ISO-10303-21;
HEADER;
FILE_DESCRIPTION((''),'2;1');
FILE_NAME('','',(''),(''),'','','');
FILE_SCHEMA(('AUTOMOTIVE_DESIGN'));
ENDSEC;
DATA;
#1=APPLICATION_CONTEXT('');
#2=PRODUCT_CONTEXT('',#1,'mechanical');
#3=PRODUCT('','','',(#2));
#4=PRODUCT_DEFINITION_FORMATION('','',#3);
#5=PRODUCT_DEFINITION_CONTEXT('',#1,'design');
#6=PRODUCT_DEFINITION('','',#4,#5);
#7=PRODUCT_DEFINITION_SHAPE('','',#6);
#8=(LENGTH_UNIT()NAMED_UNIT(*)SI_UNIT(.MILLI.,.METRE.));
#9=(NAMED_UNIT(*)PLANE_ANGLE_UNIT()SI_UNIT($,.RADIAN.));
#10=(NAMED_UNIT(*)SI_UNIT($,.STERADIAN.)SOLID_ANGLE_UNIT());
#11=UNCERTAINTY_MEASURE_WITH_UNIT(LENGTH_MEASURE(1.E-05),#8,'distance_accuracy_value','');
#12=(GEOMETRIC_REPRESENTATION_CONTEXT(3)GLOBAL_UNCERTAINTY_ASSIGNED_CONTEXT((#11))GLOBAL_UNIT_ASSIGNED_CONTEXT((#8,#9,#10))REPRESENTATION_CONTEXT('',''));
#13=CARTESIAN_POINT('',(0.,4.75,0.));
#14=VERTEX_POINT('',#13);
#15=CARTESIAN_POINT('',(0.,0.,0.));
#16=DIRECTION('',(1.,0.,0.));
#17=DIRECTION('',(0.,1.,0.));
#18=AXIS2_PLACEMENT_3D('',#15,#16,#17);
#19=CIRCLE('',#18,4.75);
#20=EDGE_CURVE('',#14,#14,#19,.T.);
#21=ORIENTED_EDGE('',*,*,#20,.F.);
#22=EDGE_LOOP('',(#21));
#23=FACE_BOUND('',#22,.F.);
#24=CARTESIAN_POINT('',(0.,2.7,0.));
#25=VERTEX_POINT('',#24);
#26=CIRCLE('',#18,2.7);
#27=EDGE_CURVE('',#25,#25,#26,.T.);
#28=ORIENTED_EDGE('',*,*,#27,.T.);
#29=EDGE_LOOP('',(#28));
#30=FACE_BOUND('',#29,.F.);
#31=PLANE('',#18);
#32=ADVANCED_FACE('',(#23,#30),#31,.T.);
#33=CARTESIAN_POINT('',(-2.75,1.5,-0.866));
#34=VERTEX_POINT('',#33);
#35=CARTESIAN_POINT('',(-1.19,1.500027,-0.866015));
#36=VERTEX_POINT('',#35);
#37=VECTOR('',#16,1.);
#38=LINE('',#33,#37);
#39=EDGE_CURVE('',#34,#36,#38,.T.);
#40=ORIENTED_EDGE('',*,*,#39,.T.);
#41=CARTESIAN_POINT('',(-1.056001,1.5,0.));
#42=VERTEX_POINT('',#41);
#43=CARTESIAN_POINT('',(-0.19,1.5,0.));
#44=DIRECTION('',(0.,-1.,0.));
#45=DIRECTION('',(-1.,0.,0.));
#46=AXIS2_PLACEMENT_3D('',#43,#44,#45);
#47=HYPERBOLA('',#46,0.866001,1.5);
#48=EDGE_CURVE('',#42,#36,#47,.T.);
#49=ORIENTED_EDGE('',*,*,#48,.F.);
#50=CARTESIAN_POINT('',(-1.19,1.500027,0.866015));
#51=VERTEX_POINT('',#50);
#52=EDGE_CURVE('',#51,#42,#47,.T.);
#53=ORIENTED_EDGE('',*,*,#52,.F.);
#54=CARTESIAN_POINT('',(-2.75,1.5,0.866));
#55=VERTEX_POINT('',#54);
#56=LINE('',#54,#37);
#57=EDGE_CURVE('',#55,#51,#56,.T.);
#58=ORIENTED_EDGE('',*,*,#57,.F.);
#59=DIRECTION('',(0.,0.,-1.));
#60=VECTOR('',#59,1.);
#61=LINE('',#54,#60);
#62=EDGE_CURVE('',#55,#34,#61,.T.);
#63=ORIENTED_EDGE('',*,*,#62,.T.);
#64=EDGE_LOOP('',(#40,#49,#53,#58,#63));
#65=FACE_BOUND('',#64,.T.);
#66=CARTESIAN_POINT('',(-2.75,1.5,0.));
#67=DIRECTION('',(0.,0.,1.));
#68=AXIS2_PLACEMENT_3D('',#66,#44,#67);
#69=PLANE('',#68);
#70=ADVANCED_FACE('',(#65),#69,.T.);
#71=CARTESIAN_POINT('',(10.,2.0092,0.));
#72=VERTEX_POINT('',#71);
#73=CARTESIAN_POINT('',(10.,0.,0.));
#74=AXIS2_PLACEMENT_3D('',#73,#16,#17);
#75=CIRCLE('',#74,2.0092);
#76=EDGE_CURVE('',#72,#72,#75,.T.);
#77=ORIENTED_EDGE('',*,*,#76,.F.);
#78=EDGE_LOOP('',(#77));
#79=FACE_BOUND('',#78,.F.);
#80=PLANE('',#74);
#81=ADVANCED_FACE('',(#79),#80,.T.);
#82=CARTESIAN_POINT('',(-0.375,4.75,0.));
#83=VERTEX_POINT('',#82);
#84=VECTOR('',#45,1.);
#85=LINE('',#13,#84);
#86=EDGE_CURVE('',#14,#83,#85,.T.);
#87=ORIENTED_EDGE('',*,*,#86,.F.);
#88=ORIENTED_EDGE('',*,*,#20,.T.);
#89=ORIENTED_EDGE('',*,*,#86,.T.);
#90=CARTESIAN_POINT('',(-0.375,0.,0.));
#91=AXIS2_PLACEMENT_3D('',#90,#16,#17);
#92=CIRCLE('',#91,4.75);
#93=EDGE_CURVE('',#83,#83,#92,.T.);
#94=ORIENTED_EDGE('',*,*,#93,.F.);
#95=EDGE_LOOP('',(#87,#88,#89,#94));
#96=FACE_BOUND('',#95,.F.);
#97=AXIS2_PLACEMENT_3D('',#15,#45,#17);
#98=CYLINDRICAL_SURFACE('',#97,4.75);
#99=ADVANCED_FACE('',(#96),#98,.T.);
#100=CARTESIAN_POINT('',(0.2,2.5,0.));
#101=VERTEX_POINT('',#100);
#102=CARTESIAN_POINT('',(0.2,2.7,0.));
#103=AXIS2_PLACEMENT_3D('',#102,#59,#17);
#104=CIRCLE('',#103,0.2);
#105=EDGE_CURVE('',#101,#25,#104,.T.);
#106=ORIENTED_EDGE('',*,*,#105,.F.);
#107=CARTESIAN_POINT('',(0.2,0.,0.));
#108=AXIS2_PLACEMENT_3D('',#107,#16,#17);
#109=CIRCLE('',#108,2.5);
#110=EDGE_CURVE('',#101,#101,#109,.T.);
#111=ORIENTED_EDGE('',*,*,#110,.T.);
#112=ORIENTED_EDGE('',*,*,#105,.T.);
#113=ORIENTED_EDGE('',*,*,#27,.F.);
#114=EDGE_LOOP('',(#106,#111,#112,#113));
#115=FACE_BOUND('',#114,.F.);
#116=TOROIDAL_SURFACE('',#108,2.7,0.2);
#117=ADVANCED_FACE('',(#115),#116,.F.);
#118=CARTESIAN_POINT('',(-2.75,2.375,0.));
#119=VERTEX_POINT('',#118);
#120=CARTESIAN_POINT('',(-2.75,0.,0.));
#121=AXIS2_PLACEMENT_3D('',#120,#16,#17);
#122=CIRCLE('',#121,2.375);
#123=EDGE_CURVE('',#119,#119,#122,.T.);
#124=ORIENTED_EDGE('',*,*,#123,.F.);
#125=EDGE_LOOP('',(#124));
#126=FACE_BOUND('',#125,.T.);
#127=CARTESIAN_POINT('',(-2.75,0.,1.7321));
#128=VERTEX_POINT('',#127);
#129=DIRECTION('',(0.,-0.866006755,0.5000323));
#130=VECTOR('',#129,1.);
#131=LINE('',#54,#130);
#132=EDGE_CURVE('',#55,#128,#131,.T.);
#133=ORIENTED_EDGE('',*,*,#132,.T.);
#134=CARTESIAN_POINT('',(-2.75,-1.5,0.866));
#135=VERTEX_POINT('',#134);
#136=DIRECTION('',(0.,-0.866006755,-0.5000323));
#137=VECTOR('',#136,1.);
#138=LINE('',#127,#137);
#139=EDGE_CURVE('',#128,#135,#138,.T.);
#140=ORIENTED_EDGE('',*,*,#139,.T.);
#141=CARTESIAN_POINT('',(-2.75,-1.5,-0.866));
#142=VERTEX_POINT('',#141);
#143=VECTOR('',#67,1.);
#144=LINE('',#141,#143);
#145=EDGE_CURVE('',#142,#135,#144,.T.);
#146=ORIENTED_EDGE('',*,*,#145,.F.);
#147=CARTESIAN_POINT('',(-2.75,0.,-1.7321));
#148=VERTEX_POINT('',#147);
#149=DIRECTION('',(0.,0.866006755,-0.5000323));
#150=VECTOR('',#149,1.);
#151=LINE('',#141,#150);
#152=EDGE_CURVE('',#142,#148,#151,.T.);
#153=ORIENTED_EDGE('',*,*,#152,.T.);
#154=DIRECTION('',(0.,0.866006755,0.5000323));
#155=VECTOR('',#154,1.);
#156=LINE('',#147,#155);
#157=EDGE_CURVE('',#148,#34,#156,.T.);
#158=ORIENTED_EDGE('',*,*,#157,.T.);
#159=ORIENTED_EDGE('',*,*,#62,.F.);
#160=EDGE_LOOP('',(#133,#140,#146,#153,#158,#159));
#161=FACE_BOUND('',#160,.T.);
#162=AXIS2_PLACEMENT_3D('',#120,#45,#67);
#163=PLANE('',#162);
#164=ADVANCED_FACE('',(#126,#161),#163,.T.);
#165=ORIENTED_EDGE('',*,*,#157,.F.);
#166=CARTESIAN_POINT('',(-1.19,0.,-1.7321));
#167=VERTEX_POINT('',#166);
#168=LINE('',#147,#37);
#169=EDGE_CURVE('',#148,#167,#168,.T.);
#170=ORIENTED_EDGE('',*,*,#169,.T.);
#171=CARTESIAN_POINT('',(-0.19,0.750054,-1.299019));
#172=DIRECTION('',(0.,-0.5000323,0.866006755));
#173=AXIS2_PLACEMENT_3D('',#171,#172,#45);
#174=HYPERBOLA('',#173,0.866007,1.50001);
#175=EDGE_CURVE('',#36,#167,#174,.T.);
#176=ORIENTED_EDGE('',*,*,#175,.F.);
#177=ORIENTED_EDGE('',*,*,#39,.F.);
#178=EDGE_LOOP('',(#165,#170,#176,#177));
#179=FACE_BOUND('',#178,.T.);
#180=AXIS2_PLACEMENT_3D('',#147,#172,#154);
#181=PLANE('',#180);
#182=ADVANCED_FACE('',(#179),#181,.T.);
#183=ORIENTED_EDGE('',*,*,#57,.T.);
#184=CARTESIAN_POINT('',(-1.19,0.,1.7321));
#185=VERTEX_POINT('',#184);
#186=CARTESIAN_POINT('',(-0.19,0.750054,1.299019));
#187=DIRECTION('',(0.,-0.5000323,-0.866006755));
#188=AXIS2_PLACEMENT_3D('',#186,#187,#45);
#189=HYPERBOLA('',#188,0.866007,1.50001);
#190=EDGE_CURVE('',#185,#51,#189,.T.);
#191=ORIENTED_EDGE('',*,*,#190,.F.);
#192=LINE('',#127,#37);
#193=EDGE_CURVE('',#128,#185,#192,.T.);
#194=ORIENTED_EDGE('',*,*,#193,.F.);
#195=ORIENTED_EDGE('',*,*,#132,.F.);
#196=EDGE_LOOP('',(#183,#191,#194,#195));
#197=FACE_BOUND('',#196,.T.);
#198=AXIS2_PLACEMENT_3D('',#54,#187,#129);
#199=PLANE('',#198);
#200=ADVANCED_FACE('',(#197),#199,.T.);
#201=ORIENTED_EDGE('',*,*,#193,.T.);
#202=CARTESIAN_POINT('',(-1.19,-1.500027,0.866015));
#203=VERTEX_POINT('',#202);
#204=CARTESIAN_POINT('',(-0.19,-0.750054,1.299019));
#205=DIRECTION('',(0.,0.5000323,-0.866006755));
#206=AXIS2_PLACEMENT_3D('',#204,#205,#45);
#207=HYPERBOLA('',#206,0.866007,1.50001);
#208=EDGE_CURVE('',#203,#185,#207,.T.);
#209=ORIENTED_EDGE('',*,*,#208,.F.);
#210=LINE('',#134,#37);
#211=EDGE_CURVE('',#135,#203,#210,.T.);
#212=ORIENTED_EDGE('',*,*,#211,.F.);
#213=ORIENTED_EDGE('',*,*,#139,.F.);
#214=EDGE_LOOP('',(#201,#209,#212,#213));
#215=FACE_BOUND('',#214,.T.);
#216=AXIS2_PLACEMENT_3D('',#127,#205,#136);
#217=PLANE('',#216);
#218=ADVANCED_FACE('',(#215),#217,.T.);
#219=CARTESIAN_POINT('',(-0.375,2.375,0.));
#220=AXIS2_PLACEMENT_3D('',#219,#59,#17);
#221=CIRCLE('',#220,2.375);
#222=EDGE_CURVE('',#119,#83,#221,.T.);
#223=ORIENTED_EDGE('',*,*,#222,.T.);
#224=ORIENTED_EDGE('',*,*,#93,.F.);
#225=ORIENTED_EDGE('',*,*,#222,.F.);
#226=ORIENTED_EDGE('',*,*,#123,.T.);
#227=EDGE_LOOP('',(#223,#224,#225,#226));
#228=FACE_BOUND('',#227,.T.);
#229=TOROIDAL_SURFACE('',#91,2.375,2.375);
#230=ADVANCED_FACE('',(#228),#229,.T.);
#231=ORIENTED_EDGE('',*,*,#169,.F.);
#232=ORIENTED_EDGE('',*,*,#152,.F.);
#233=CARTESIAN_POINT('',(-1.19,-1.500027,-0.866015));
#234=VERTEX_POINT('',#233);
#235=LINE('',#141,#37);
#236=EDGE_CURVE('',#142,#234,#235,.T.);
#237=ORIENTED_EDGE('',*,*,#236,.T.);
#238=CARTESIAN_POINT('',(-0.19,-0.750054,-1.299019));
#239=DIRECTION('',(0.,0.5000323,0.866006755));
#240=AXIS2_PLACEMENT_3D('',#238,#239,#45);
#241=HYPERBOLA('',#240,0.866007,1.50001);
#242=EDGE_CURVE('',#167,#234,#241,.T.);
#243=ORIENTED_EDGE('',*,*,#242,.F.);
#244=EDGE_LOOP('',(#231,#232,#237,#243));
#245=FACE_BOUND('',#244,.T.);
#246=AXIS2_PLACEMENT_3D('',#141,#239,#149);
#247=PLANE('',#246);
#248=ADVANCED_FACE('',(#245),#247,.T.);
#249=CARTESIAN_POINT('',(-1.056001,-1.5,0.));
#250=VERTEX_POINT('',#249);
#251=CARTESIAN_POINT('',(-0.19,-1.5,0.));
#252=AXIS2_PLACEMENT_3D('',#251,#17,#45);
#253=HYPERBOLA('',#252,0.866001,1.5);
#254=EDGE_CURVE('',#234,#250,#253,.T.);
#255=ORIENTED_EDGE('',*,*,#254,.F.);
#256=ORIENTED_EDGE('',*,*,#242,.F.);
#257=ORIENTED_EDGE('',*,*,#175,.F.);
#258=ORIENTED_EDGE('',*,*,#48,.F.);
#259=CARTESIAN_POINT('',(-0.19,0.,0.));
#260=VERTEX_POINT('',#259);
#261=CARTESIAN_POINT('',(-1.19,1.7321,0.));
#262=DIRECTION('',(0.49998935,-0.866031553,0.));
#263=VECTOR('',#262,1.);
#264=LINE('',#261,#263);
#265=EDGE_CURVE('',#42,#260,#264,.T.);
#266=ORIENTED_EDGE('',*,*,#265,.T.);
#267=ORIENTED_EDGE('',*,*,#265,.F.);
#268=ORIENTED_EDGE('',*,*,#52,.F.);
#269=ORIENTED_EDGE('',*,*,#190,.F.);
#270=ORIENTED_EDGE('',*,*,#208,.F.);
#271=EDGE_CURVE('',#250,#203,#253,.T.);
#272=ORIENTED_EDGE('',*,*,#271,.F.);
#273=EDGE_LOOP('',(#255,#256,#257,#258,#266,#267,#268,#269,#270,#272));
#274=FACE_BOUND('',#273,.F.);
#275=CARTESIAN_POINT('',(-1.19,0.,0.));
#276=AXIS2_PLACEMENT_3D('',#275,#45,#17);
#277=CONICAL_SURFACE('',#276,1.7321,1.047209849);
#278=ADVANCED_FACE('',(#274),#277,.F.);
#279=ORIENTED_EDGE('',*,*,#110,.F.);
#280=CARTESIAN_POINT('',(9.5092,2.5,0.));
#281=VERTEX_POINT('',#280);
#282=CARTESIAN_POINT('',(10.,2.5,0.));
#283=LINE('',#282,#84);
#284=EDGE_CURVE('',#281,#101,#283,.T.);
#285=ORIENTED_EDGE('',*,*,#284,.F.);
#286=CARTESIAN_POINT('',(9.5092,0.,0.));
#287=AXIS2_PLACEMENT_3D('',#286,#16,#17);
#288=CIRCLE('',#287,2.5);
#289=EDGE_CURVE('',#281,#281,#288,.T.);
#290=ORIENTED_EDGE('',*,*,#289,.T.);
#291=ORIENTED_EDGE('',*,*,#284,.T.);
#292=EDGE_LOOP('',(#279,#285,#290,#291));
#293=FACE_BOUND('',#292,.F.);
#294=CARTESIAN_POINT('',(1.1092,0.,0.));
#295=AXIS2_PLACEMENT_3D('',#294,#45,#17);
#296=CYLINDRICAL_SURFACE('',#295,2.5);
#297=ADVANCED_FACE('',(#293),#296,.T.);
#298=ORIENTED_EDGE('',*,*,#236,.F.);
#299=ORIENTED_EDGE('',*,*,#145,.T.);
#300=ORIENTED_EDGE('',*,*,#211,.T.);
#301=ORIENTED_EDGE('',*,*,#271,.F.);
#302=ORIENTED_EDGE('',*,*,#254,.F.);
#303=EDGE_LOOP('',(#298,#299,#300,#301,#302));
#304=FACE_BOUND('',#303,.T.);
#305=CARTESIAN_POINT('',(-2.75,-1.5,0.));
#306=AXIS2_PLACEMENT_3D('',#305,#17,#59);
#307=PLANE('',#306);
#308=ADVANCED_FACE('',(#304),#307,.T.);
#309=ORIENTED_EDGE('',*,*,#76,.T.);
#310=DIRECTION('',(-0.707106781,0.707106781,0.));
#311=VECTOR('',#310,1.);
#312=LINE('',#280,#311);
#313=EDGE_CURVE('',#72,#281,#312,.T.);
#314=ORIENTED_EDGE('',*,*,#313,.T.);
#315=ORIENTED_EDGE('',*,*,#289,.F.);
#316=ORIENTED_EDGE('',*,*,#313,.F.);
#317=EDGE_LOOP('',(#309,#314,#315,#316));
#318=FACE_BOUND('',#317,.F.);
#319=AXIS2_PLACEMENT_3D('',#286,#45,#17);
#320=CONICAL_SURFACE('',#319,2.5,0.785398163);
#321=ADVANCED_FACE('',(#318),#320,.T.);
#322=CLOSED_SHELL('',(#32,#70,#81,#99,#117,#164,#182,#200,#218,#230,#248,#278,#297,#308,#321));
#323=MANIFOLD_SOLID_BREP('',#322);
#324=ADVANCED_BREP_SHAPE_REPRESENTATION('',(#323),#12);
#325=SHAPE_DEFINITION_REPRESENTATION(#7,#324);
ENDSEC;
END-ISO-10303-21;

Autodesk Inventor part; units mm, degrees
ref_plane "YZ Plane" through (0, 0, 0) normal (1, 0, 0) x (0, 1, 0)
ref_plane "XZ Plane" through (0, 0, 0) normal (0, 1, 0) x (-1, 0, 0)
sketch "Sketch1" plane through (0, 0, 0) normal (0, 0, 1) x (1, 0, 0)
  line L0 (-0.19, 0) -> (10, 0)
  line L1 (10, 0) -> (10, 2.5)
  line L2 (10, 2.5) -> (1.6, 2.5)
  line L3 (1.6, 2.5) -> (1.1092, 2.5)
  line L4 (1.1092, 2.5) -> (0, 2.5)
  line L5 (0, 2.5) -> (0, 4.75)
  line L6 (0, 4.75) -> (-2.75, 4.75)
  line L7 (-2.75, 4.75) -> (-2.75, 1.7321)
  line L8 (-2.75, 1.7321) -> (-1.19, 1.7321)
  line L9 (-1.19, 1.7321) -> (-0.19, 0)
  line L10 (-5.3, 0) -> (12.55, 0) projected
  line L11 (0, -0.95) -> (0, 5.7) projected
  line L12 (1.6, 2.5) -> (0, 2.5) construction
  dimension "d0" = 8.4
  dimension "d1" = 0.4908
  dimension "d2" = 2.75
  dimension "d3" = 1.56
  dimension "d4" = 60
  dimension "d5" = 5
  dimension "d6" = 5
  dimension "d7" = 3.4641
  dimension "d8" = 9.5
  dimension "d19" = 10
revolve "Body" add sketch "Sketch1" angle 360 about axis through (-0.19, 0, 0) along (1, 0, 0)
sketch "Sketch2" plane through (-2.75, 0, 0) normal (-1, 0, 0) x (0, 0, 1)
  circle A0 centre (0, 0) radius 1.7321 projected
  line L0 (0, -6.65) -> (0, 6.65) projected
  line L1 (-6.65, 0) -> (6.65, 0) projected
  line L2 (1.7321, 0) -> (0.866, -1.5)
  line L3 (0.866, -1.5) -> (-0.866, -1.5)
  line L4 (-0.866, -1.5) -> (-1.7321, 0)
  line L5 (-1.7321, 0) -> (-0.866, 1.5)
  line L6 (-0.866, 1.5) -> (0.866, 1.5)
  line L7 (0.866, 1.5) -> (1.7321, 0)
extrude "Slot" add sketch "Sketch2" against normal up to next contours L7 A0 | A0 L2 | L6 L0 A0 | A0 L0 L3 | L0 L6 A0 | A0 L3 L0 | L4 A0 | A0 L5
fillet "Fillet1" radius 2.375 1 edges at (-2.75, -4.75, 0)
thread "Thread" size "M5x0.8" class "4g6g" standard "ANSI Metric M Profile" length 8.4
chamfer "Chamfer1" distance 0.4908 distance2 0.4908 1 edges at (10, -2.5, 0) measured on face at (10, -0.7741, -0.6858)
fillet "Fillet2" radius 0.2 1 edges at (0, -2.5, 0)
ref_plane "Work Plane1" through (30, 0, 0) normal (0, -0.5, 0.866) x (1, 0, 0)
equation "\"d0\" = GEL"
equation "\"d1\" = GAL"
equation "\"d2\" = KOH"
equation "\"d3\" = INTI"
equation "\"d5\" = GD"
equation "\"d6\" = BDM"
equation "\"d7\" = 1.1547 * SW"
equation "\"d8\" = KOD"
equation "\"d19\" = NLG"
equation "\"d16\" = RR"
equation "\"d12\" = GEL"
equation "\"d14\" = -0.5 * SPD + 0.5 * GD"
equation "\"d15\" = GUL"
equation "\"d29\" = R"
equation "\"GD\" = NND"
equation "\"NLG\" = 10"
equation "\"GEL\" = 8.4"
equation "\"KOD\" = 9.5"
equation "\"KOH\" = 2.75"
equation "\"INTI\" = 1.56"
equation "\"GAL\" = 0.61345 * PTC"
equation "\"GUL\" = 0.61345 * PTC"
equation "\"BDM\" = NND"
equation "\"SW\" = 3"
equation "\"RR\" = 2.375"
equation "\"SPD\" = 4.01848"
equation "\"d28\" = R"
equation "\"R\" = 0.2"
equation "\"TOA\" = 30deg"
equation "\"THREADDIA\" = 5"
equation "\"KOD1\" = KOD - 2 * RR"
equation "\"PTC\" = 0.8"
equation "\"NND\" = 5"
equation "\"E0\" = 1.155 * SW"
equation "\"GD1\" = THREADDIA - 1.2269 * PTC"
properties part number "ANSI B18.3.4M - M5 x 0.8 x 10" material "Steel, Mild"
